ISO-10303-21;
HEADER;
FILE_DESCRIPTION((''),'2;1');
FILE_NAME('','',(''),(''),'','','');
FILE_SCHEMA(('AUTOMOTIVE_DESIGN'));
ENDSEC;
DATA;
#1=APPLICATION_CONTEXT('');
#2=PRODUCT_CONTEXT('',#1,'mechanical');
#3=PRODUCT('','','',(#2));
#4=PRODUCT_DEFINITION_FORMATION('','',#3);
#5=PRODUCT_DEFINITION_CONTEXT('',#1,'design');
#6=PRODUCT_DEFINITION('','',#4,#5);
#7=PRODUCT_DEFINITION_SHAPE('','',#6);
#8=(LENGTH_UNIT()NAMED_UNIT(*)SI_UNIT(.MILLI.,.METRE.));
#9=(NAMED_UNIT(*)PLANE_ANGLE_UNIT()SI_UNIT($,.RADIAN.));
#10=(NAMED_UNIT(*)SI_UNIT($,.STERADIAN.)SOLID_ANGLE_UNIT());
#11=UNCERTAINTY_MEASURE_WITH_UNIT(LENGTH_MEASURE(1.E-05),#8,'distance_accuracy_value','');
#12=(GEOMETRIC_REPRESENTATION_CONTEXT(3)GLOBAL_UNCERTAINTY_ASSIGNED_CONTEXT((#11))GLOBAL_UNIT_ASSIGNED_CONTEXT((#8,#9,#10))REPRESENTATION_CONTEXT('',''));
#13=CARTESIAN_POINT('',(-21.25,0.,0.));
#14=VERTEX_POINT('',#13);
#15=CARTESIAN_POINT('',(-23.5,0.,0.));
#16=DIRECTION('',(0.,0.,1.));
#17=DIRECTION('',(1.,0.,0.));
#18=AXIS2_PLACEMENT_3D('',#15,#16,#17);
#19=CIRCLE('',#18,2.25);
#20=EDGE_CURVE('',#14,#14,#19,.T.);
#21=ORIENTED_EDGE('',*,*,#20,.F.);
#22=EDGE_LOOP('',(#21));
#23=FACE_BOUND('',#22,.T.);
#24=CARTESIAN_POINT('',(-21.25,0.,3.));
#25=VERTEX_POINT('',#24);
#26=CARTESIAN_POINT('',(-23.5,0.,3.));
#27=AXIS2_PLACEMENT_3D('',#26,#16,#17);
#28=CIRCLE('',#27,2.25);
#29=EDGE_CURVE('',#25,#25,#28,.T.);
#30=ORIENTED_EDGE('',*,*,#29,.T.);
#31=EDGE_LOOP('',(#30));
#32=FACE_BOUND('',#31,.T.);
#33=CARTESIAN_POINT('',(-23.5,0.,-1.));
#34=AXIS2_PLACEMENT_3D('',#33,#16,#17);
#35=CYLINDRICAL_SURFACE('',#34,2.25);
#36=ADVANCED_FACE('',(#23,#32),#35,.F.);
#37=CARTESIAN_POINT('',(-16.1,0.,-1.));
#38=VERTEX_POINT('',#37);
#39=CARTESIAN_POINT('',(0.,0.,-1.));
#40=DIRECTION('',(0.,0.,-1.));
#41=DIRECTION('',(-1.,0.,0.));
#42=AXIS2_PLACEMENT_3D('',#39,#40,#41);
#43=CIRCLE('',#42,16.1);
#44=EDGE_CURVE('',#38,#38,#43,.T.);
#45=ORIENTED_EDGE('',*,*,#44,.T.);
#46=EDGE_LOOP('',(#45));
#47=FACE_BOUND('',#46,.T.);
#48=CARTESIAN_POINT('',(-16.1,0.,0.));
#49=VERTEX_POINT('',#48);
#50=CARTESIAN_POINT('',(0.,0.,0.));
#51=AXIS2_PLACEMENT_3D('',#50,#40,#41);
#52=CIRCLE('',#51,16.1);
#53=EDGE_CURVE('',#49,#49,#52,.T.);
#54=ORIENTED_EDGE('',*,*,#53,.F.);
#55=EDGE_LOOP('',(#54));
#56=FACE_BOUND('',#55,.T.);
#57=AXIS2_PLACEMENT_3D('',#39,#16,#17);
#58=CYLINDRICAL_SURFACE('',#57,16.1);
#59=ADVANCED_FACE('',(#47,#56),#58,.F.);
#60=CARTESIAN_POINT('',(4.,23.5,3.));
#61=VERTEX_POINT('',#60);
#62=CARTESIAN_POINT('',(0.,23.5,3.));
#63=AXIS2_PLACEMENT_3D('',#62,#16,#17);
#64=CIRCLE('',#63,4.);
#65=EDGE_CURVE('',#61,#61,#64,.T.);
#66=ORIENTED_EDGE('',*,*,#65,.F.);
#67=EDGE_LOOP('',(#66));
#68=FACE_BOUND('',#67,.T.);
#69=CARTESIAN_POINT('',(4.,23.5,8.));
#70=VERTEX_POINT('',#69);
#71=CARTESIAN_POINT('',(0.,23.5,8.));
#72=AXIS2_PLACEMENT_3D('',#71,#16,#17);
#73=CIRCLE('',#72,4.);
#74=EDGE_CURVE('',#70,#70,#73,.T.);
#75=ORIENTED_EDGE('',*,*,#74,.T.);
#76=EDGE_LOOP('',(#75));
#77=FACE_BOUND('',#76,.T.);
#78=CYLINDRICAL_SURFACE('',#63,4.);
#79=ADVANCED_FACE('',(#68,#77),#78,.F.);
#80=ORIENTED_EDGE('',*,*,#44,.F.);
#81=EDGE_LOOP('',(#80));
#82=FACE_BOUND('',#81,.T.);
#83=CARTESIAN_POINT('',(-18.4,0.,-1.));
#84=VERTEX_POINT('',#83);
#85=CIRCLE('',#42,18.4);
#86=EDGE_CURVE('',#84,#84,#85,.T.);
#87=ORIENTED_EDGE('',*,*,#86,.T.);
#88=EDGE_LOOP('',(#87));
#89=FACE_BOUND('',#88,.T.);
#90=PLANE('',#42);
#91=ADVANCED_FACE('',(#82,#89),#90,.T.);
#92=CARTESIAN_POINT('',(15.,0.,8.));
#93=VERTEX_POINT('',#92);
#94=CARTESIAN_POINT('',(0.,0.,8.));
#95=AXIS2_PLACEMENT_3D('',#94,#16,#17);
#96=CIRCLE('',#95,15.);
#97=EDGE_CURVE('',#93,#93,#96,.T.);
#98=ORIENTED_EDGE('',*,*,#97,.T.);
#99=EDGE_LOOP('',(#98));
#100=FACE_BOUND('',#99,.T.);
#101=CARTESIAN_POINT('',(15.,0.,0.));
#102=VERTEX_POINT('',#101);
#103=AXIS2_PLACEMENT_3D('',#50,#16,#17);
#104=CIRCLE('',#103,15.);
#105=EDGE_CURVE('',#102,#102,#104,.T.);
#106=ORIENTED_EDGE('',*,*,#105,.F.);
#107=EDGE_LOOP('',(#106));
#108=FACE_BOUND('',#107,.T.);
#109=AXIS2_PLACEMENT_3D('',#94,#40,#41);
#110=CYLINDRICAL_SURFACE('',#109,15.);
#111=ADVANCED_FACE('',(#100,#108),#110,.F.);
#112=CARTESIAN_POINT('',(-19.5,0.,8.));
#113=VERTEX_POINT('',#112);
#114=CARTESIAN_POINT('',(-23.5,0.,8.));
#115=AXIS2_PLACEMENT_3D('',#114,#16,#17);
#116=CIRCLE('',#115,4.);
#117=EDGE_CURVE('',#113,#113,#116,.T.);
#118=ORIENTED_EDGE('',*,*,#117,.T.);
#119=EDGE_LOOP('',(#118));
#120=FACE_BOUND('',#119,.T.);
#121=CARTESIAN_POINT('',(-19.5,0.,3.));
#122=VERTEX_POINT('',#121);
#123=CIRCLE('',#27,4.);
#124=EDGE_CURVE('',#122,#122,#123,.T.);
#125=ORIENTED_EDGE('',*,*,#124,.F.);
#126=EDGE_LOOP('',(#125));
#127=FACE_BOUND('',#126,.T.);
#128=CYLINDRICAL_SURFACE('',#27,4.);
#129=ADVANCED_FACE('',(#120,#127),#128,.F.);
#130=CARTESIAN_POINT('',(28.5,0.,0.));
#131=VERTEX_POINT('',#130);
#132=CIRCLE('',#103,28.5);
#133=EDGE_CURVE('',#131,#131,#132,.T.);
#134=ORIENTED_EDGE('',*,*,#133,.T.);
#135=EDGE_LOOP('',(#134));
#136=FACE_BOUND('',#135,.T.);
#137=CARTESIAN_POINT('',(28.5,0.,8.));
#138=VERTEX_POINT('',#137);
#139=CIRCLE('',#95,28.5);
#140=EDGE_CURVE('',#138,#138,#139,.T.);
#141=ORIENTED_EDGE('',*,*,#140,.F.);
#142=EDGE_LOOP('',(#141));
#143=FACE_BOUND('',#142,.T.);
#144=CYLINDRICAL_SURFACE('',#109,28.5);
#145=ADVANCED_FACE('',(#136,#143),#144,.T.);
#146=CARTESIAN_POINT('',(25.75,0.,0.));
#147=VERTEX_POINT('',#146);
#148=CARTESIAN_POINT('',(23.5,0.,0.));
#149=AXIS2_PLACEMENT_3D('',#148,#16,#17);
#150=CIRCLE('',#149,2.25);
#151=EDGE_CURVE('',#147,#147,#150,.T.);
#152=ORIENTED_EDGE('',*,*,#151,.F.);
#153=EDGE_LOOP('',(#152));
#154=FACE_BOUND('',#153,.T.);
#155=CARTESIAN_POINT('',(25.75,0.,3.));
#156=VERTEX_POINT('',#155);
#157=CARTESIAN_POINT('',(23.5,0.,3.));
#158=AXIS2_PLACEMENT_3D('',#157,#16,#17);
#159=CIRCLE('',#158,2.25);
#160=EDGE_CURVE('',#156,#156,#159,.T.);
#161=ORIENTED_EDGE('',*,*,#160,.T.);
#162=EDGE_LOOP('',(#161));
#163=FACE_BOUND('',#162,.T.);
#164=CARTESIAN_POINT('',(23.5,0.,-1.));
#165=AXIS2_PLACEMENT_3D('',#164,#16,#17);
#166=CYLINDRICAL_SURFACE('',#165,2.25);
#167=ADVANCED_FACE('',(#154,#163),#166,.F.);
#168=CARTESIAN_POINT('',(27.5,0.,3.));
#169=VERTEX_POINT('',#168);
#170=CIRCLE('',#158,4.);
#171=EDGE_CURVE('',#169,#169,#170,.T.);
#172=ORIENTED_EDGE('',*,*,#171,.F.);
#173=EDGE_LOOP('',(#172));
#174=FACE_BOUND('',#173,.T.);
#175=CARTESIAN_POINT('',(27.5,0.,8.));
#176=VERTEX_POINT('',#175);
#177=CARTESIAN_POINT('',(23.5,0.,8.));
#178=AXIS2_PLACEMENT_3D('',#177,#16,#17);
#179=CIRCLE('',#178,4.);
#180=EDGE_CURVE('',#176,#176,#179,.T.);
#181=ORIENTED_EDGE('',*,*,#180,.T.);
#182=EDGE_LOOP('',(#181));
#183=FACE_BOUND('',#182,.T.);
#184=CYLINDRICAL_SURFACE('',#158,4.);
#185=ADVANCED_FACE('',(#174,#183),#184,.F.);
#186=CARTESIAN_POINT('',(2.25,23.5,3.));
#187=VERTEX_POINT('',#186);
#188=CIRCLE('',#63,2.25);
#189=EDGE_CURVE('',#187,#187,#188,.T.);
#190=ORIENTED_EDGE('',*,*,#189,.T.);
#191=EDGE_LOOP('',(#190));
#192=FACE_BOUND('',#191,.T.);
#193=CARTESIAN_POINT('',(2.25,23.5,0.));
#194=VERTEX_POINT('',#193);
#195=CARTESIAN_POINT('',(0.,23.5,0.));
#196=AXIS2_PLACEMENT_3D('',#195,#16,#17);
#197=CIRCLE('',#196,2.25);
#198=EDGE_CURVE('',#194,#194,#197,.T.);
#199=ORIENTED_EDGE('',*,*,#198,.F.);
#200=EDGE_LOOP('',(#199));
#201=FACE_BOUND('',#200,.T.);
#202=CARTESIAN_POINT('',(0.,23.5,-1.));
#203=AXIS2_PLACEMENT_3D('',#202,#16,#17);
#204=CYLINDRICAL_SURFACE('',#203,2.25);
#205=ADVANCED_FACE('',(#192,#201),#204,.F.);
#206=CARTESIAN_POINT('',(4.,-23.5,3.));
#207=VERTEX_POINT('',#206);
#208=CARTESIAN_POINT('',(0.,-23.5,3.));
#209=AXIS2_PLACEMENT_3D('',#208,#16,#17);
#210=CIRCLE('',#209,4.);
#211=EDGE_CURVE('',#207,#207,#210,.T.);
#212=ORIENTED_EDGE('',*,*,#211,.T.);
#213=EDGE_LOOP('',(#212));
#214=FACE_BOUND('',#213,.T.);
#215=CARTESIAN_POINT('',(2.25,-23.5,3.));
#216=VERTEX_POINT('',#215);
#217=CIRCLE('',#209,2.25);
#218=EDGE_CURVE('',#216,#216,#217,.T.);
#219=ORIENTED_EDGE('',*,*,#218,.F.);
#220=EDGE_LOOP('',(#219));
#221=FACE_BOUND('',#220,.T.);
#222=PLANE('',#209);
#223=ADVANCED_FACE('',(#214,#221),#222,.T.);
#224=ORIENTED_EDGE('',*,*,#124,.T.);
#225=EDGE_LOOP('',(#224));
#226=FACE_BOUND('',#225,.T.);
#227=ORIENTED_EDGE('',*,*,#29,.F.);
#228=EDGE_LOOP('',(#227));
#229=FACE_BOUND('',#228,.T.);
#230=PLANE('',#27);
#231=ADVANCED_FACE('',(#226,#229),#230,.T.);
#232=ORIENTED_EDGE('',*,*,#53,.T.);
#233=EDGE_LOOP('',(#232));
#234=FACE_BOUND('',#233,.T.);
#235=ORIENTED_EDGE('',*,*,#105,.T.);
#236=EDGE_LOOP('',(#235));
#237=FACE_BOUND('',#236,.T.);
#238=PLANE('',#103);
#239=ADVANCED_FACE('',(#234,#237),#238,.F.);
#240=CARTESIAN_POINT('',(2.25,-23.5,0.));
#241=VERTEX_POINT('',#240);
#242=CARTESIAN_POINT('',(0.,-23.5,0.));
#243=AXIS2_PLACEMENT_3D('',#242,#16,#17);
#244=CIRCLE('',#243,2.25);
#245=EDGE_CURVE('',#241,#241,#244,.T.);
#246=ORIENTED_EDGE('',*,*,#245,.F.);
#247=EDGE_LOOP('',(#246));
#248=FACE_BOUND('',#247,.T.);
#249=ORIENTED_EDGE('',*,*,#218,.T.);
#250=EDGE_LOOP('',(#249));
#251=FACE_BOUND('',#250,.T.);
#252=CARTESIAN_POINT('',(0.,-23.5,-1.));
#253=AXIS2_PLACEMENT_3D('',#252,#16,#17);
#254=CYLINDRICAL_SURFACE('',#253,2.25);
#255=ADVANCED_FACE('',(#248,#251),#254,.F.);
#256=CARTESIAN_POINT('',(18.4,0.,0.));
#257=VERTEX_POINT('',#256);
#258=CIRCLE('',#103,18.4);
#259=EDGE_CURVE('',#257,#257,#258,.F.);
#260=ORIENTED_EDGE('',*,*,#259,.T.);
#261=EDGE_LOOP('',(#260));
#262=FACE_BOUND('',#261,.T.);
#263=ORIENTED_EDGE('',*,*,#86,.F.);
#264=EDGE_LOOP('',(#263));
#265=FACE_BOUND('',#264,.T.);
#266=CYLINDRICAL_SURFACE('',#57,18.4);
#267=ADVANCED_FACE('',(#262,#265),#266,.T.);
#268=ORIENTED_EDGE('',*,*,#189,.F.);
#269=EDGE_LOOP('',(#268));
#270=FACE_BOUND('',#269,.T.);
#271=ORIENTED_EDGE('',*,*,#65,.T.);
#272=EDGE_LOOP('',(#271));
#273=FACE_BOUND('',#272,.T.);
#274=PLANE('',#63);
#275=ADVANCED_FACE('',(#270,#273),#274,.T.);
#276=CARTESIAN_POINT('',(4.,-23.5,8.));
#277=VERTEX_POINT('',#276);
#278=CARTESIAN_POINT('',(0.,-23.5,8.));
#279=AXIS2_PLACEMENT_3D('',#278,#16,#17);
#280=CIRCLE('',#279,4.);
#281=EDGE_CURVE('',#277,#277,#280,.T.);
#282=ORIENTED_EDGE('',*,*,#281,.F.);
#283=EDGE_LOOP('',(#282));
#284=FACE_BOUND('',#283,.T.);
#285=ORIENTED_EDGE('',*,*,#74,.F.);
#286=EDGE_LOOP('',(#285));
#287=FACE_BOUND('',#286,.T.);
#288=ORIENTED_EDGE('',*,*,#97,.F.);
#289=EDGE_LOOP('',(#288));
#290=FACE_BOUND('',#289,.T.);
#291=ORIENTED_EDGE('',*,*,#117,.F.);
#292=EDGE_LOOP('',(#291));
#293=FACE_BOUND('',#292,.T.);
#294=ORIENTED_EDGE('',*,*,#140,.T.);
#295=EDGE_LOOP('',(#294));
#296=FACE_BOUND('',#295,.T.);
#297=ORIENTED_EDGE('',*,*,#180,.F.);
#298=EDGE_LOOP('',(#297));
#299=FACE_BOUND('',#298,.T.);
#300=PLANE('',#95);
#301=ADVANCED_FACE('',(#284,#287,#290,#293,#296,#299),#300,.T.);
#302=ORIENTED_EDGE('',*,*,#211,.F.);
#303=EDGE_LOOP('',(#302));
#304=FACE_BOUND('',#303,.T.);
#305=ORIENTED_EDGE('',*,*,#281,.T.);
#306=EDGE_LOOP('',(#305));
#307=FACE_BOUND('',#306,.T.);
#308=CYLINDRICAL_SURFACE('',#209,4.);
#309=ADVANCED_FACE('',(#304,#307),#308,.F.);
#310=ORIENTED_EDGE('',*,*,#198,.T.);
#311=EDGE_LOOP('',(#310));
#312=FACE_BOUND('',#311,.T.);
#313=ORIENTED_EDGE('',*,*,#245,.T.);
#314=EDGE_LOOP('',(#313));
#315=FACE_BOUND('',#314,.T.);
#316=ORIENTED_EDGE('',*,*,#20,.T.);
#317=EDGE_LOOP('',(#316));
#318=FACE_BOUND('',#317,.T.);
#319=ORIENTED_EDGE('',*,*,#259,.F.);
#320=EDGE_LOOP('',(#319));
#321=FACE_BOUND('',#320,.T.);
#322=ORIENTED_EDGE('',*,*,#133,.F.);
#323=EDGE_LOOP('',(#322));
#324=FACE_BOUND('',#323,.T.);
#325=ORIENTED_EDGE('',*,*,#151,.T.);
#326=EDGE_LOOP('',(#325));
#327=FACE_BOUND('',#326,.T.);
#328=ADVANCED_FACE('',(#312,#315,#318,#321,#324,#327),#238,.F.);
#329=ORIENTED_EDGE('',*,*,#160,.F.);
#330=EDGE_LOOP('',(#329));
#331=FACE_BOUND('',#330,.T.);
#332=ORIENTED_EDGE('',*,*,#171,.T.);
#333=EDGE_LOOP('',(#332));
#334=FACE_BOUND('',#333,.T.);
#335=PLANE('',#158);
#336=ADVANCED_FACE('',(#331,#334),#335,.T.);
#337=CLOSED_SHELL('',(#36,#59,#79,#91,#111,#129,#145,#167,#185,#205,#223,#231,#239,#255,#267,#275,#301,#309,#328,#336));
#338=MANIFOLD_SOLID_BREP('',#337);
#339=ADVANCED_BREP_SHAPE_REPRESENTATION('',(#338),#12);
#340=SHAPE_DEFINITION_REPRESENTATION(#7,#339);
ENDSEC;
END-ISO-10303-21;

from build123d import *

# Parameters (mm, degrees)
SKETCH_1_R          = 28.5
SKETCH_1_R_2        = 15
EXTRUDE_1_DEPTH     = 8
SKETCH_2_R          = 18.4
SKETCH_2_R_2        = 16.1
EXTRUDE_2_DEPTH     = 1
SKETCH_3_R          = 4
CUT_EXTRUDE_1_DEPTH = 5
SKETCH_4_R          = 2.25
CUT_EXTRUDE_2_DEPTH = 42.297699694


with BuildPart() as part:
    # 草图1 → 拉伸1 (new body)
    with BuildSketch(Plane.XY):
        Circle(SKETCH_1_R)
        Circle(SKETCH_1_R_2, mode=Mode.SUBTRACT)
    extrude(amount=EXTRUDE_1_DEPTH)

    # 草图2 → 拉伸2 (add)
    with BuildSketch(Plane(origin=(0, 0, 0), x_dir=(-1, 0, 0), z_dir=(0, 0, -1))):
        with Locations(Location((0, 0, 0), (0, 0, 180))):
            Circle(SKETCH_2_R)
        Circle(SKETCH_2_R_2, mode=Mode.SUBTRACT)
    extrude(amount=EXTRUDE_2_DEPTH)

    # 草图3 → 切除-拉伸1 (cut)
    with BuildSketch(Plane.XY.offset(8)):
        with Locations((0, 23.5)):
            Circle(SKETCH_3_R)
        with Locations((-23.5, 0)):
            Circle(SKETCH_3_R)
        with Locations((0, -23.5)):
            Circle(SKETCH_3_R)
        with Locations((23.5, 0)):
            Circle(SKETCH_3_R)
    extrude(amount=-CUT_EXTRUDE_1_DEPTH, mode=Mode.SUBTRACT)

    # 草图4 → 切除-拉伸2 (cut, through all)
    with BuildSketch(Plane.XY.offset(8)):
        with Locations((-23.5, 0)):
            Circle(SKETCH_4_R)
        with Locations((0, 23.5)):
            Circle(SKETCH_4_R)
        with Locations((23.5, 0)):
            Circle(SKETCH_4_R)
        with Locations((0, -23.5)):
            Circle(SKETCH_4_R)
    extrude(amount=-CUT_EXTRUDE_2_DEPTH, mode=Mode.SUBTRACT)


solid = part.part
